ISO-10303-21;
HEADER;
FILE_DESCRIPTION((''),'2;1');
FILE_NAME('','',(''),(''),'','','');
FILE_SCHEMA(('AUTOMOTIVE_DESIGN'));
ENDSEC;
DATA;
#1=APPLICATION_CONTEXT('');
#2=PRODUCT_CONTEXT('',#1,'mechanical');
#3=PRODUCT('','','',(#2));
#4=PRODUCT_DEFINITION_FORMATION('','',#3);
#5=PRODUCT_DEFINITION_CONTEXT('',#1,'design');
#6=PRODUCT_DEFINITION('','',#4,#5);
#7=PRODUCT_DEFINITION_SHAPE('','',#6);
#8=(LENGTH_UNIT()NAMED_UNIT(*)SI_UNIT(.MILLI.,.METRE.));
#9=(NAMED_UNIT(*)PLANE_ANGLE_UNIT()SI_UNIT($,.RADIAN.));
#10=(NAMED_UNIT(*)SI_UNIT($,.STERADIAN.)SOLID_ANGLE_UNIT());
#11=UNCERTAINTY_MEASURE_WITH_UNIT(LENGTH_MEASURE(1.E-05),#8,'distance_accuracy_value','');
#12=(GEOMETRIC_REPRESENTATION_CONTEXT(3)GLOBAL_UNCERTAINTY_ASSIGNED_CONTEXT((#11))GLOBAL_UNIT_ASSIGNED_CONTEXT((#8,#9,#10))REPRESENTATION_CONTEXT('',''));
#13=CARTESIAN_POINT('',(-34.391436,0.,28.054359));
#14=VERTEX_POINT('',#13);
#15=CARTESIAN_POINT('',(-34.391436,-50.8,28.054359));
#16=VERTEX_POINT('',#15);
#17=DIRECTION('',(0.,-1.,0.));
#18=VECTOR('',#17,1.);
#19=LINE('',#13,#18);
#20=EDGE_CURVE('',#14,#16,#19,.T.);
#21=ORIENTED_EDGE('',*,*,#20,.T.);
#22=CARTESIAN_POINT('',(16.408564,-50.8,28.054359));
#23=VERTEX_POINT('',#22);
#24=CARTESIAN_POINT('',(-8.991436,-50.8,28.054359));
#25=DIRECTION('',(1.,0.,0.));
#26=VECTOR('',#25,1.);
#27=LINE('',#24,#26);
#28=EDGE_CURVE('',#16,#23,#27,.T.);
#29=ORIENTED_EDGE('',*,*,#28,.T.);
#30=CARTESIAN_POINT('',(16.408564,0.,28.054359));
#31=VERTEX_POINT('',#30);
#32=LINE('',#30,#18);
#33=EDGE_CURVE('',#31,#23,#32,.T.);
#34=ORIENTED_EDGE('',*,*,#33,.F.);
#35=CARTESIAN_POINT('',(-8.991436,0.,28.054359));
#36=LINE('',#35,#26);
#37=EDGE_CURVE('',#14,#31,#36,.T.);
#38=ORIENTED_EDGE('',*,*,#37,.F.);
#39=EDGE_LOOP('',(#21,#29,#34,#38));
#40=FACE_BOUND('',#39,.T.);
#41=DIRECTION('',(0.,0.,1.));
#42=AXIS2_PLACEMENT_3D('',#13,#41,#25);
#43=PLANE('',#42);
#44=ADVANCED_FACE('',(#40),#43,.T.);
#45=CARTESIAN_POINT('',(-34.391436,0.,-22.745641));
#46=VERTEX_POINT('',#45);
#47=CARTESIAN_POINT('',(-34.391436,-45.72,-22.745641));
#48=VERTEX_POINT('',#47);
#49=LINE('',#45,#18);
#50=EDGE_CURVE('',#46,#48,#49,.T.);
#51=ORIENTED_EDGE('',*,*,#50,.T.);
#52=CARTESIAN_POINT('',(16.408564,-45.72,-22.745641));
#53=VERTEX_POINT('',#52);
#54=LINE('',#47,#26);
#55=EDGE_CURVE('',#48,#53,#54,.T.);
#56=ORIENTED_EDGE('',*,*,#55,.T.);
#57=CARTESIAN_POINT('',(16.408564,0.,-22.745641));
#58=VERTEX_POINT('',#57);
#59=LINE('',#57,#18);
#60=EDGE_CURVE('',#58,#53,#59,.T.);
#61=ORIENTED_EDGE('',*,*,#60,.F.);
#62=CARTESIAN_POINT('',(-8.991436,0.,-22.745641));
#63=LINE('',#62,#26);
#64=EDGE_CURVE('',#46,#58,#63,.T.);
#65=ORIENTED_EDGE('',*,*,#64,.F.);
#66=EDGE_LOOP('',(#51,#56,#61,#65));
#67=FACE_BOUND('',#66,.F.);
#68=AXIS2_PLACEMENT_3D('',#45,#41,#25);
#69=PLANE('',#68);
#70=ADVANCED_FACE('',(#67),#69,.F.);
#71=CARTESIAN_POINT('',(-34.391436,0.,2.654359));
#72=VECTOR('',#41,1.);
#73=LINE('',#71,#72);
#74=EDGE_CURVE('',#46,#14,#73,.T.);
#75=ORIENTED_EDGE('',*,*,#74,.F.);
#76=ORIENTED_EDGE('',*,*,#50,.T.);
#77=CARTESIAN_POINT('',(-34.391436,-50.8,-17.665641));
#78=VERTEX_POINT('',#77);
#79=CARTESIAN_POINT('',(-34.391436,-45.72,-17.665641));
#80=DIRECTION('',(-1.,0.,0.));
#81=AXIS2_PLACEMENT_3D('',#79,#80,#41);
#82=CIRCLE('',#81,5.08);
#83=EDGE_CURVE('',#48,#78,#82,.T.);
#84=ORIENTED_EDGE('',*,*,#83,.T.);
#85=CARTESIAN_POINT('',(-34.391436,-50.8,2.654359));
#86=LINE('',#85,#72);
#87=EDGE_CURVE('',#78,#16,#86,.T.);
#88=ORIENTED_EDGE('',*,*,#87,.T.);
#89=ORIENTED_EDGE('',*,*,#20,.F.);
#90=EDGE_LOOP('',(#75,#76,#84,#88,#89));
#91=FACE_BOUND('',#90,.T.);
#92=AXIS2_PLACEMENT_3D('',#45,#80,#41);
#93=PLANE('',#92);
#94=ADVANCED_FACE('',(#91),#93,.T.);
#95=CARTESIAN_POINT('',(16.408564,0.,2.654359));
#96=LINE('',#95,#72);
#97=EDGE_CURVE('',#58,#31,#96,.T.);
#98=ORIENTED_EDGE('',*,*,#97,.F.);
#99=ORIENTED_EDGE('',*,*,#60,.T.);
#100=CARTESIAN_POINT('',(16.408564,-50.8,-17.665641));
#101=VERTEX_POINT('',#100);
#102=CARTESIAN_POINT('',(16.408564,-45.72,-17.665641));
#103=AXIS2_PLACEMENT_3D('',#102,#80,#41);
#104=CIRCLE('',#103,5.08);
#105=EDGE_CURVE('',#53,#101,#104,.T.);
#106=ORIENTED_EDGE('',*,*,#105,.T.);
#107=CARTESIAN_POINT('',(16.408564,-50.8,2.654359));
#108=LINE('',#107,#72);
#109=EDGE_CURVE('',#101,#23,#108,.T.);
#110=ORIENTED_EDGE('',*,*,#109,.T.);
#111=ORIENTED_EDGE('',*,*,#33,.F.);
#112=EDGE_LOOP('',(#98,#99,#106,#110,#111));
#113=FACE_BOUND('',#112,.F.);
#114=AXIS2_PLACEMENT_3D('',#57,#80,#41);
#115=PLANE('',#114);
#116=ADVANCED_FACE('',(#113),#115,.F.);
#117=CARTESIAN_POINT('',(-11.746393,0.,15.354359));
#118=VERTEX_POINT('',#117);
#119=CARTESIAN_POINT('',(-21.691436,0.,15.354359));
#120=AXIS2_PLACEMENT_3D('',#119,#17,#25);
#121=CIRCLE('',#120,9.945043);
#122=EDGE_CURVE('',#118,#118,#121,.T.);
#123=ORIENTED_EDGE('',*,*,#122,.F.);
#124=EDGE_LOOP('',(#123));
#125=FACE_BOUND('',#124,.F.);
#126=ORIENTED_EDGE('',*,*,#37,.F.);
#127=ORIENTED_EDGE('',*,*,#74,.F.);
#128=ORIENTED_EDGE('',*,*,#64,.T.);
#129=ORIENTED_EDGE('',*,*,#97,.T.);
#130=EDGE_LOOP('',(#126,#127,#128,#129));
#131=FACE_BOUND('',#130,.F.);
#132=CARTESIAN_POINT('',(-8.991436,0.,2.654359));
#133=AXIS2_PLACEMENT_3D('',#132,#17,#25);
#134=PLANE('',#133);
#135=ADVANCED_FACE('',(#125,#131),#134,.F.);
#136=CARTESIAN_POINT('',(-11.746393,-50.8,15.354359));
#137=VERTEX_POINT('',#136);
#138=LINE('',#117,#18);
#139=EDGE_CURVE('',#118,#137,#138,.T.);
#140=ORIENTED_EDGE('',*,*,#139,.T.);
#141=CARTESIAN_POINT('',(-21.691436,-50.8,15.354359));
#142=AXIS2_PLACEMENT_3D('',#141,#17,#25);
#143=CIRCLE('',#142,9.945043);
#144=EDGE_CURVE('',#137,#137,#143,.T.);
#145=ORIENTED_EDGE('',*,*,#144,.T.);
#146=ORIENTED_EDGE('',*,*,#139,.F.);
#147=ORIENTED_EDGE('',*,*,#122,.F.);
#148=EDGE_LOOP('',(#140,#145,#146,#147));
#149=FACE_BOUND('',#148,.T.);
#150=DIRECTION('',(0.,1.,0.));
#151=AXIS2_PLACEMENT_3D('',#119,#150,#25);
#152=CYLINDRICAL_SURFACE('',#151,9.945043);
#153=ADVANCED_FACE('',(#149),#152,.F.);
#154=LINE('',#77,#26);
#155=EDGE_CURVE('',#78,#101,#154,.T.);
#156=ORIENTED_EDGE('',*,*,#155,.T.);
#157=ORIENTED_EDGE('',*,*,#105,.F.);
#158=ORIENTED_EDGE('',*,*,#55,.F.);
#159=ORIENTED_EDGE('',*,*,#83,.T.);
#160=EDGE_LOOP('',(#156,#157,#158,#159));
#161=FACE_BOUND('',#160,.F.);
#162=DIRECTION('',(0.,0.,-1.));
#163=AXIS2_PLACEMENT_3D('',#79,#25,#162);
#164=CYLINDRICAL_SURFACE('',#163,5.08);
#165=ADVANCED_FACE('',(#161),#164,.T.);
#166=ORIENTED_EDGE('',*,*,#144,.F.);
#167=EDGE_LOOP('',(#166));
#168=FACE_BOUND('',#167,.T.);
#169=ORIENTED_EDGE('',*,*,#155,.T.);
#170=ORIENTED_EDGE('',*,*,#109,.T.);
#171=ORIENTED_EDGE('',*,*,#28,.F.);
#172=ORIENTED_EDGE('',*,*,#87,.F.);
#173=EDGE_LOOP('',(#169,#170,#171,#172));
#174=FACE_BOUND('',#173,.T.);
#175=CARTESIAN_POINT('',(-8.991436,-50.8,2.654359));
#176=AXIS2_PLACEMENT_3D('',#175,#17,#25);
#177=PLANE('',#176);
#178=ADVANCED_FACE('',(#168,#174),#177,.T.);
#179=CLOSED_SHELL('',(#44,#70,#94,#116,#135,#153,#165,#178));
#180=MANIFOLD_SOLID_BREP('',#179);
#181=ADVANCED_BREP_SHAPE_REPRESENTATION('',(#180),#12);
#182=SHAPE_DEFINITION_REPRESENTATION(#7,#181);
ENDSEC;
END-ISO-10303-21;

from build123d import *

# Parameters (mm, degrees)
F0_W     = 50.8
F0_H     = 50.8
F0_R     = 9.945043
F1_DEPTH = 50.8
F2_R     = 5.08


with BuildPart() as f1:
    # F0 (on Front) → F1 (new body)
    with BuildSketch(Plane.XZ):
        with Locations((-8.991436, 2.654359)):
            Rectangle(F0_W, F0_H)
        with Locations((-21.691436, 15.354359)):
            Circle(F0_R, mode=Mode.SUBTRACT)
    extrude(amount=F1_DEPTH)

    # F2
    f2_edges = [f1.edges().sort_by_distance(p)[0] for p in [
        (-8.991436, -50.8, -22.745641),
    ]]
    fillet(f2_edges, radius=F2_R)


solid = f1.part
